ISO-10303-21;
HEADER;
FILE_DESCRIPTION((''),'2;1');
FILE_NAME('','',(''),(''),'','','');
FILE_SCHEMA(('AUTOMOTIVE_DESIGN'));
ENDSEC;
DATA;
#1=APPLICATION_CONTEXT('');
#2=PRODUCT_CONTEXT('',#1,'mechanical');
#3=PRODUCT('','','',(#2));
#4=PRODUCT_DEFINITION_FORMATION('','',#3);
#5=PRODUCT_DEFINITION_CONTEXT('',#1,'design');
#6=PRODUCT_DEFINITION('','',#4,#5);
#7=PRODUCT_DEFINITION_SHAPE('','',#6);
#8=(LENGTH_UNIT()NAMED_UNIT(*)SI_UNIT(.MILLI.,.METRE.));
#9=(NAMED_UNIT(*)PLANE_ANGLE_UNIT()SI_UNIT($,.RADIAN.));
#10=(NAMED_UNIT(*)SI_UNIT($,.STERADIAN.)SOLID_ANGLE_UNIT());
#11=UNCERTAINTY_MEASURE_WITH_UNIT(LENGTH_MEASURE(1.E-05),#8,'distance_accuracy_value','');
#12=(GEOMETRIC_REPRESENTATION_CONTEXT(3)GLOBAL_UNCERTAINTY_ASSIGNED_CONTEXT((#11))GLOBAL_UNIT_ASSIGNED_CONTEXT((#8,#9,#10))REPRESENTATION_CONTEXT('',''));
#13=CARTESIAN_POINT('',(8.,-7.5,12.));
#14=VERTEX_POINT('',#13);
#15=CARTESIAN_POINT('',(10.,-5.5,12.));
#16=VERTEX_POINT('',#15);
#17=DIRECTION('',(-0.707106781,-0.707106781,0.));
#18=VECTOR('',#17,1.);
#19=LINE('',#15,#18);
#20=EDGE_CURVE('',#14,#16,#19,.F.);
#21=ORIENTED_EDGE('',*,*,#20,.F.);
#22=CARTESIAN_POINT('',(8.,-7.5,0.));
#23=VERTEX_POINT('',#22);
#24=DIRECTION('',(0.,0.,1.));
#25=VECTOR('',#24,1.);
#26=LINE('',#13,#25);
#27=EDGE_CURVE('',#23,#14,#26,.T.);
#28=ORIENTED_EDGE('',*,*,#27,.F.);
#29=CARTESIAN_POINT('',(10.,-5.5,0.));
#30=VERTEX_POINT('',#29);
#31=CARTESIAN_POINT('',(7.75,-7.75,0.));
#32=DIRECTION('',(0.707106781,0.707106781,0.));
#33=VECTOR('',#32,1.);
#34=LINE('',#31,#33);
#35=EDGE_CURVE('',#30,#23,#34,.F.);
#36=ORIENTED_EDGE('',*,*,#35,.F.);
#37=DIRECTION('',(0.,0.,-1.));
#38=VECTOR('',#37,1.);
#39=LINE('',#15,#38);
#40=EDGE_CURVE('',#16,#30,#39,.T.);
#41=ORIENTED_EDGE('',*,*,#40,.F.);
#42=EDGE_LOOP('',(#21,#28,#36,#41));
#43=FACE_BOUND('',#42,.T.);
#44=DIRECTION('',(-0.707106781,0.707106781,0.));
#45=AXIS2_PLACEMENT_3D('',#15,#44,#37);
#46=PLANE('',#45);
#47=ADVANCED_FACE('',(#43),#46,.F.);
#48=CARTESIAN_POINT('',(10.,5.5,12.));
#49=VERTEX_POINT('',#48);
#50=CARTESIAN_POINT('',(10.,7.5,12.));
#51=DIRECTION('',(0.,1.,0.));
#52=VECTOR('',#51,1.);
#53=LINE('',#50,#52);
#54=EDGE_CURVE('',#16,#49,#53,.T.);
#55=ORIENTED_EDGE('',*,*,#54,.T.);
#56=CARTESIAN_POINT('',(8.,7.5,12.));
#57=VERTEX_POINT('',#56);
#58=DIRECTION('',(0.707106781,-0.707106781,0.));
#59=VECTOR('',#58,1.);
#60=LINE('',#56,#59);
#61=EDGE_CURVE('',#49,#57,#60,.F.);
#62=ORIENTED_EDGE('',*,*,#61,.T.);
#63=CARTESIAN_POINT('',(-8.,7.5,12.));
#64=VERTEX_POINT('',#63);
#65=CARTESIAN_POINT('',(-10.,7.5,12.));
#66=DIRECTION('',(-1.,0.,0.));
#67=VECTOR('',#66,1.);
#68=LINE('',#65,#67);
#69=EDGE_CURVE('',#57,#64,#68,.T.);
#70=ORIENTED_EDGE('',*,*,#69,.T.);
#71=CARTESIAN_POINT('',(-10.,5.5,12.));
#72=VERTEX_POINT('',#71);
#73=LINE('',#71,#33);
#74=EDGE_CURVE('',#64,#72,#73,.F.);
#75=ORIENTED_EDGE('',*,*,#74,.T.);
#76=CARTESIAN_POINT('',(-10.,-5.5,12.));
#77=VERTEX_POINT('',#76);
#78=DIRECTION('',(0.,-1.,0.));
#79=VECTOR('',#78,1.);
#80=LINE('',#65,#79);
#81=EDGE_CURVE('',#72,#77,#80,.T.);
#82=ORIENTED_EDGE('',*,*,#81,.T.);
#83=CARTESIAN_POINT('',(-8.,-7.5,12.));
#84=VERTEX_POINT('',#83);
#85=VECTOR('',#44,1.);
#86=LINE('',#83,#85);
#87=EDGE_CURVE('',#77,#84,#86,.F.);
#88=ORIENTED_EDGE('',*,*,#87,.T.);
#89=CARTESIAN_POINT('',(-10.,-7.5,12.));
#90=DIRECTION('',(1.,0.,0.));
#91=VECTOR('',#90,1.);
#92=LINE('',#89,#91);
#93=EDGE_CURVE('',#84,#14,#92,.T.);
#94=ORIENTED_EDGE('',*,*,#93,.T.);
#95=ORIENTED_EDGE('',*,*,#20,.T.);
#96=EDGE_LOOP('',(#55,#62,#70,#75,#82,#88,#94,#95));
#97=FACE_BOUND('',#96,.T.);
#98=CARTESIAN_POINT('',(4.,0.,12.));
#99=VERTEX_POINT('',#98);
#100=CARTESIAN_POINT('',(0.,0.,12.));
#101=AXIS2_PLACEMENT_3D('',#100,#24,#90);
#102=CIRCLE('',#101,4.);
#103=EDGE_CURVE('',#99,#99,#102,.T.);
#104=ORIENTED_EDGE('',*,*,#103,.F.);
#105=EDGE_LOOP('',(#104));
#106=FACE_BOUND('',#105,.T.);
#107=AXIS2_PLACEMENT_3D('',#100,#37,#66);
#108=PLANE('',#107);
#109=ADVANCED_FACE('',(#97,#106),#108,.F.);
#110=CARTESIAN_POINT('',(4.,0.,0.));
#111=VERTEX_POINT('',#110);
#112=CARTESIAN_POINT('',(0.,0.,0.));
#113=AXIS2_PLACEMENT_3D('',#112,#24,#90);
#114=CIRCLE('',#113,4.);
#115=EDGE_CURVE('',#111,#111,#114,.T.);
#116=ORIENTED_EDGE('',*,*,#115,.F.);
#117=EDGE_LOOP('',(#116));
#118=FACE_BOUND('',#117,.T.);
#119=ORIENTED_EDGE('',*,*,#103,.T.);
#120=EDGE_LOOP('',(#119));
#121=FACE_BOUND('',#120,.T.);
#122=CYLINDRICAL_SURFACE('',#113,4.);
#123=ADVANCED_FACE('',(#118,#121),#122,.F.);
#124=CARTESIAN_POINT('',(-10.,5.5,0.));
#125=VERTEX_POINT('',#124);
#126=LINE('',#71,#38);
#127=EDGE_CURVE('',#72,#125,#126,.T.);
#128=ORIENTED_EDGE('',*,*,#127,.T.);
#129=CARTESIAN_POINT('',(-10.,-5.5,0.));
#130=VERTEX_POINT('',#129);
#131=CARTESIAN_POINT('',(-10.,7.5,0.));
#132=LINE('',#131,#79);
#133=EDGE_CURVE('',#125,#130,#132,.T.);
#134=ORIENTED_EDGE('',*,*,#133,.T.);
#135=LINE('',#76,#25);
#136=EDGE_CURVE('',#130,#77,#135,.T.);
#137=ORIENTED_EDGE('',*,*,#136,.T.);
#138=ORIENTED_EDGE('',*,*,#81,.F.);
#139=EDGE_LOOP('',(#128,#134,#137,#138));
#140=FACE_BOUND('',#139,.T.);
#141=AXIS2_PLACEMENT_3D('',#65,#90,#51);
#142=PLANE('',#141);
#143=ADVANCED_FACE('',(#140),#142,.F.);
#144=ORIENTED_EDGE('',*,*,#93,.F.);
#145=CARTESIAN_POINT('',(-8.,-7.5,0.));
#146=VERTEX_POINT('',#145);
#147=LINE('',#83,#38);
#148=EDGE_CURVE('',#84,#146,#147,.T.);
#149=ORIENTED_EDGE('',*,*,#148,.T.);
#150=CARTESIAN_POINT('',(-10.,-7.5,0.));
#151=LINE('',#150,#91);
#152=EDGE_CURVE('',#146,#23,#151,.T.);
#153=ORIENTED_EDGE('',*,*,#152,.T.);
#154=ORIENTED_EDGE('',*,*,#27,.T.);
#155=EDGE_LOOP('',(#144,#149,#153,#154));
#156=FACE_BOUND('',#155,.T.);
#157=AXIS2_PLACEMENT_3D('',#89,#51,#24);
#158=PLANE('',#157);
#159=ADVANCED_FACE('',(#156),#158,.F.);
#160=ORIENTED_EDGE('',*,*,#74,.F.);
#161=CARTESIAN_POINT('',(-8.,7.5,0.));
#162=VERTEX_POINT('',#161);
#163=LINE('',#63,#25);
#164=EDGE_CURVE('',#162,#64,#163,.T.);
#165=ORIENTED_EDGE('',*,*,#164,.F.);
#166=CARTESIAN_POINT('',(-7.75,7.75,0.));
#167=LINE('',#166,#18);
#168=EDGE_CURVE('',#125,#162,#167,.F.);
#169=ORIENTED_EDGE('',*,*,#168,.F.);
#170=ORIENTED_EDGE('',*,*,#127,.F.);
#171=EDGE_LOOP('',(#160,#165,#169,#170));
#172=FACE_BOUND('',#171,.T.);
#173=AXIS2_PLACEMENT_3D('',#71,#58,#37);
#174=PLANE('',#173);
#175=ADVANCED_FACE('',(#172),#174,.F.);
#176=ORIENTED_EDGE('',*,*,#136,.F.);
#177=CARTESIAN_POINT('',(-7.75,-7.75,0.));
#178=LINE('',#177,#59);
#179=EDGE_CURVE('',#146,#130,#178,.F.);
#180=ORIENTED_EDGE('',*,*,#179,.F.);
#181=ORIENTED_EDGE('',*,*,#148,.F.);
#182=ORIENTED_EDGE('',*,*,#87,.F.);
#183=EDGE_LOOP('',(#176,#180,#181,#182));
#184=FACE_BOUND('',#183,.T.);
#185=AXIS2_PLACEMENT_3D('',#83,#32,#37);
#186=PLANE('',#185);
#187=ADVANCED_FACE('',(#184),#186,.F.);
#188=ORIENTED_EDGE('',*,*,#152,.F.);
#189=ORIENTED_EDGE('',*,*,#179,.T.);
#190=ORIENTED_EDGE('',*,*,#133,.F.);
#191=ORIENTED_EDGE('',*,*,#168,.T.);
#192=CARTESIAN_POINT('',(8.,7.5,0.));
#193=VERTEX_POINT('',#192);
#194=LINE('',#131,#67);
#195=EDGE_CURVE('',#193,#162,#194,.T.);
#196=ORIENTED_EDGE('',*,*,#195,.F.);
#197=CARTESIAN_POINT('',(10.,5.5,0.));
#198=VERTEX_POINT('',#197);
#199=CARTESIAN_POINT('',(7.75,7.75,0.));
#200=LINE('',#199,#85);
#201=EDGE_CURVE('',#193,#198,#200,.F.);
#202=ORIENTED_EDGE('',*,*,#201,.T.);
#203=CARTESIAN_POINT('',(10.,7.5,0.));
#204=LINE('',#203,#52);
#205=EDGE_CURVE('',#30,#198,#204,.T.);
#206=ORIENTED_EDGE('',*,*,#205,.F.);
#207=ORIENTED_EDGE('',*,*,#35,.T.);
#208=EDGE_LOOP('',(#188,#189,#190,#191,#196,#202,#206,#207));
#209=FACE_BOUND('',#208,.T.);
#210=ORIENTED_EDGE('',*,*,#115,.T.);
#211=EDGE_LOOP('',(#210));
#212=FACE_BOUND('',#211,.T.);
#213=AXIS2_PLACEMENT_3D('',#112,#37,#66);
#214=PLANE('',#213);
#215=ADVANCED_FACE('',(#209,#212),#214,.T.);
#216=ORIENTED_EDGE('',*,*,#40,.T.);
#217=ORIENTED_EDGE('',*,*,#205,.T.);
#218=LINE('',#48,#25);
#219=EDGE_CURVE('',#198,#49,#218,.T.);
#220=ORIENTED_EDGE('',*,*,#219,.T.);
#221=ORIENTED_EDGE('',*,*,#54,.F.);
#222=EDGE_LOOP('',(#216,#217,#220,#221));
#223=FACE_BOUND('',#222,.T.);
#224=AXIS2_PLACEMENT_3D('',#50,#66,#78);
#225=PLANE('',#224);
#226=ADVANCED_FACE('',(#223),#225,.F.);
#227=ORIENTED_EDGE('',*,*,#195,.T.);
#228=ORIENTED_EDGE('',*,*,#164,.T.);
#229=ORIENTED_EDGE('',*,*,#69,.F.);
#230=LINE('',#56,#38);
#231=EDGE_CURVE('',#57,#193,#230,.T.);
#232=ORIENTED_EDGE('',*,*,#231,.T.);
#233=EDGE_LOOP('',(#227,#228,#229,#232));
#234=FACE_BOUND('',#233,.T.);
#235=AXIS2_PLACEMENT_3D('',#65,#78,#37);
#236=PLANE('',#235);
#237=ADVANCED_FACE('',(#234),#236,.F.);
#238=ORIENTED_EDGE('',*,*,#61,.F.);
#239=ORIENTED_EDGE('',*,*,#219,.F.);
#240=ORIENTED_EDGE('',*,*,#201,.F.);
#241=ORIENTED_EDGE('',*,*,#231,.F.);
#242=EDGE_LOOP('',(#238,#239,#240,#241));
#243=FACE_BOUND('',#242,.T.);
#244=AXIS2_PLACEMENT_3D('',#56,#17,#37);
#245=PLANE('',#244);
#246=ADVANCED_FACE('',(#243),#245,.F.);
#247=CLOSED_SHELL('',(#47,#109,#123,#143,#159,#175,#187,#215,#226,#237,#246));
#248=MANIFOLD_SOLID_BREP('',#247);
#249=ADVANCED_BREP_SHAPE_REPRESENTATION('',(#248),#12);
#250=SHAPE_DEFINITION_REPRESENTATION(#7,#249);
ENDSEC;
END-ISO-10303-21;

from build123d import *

# Parameters (mm, degrees)
SKETCH1_W           = 20
SKETCH1_H           = 15
BOSS_EXTRUDE1_DEPTH = 12
SKETCH2_R           = 4
CUT_EXTRUDE1_DEPTH  = 13
CHAMFER1_SIZE       = 2


with BuildPart() as part:
    # Sketch1 → Boss-Extrude1 (new body)
    with BuildSketch(Plane.XY):
        Rectangle(SKETCH1_W, SKETCH1_H)
    extrude(amount=BOSS_EXTRUDE1_DEPTH)

    # Sketch2 → Cut-Extrude1 (cut, through all)
    with BuildSketch(Plane.XY.offset(12)):
        Circle(SKETCH2_R)
    extrude(amount=-CUT_EXTRUDE1_DEPTH, mode=Mode.SUBTRACT)

    # Chamfer1
    chamfer1_edges = [part.edges().sort_by_distance(p)[0] for p in [
        (10, 7.5, 6),
        (10, -7.5, 6),
        (-10, -7.5, 6),
        (-10, 7.5, 6),
    ]]
    chamfer(chamfer1_edges, length=CHAMFER1_SIZE)


solid = part.part
